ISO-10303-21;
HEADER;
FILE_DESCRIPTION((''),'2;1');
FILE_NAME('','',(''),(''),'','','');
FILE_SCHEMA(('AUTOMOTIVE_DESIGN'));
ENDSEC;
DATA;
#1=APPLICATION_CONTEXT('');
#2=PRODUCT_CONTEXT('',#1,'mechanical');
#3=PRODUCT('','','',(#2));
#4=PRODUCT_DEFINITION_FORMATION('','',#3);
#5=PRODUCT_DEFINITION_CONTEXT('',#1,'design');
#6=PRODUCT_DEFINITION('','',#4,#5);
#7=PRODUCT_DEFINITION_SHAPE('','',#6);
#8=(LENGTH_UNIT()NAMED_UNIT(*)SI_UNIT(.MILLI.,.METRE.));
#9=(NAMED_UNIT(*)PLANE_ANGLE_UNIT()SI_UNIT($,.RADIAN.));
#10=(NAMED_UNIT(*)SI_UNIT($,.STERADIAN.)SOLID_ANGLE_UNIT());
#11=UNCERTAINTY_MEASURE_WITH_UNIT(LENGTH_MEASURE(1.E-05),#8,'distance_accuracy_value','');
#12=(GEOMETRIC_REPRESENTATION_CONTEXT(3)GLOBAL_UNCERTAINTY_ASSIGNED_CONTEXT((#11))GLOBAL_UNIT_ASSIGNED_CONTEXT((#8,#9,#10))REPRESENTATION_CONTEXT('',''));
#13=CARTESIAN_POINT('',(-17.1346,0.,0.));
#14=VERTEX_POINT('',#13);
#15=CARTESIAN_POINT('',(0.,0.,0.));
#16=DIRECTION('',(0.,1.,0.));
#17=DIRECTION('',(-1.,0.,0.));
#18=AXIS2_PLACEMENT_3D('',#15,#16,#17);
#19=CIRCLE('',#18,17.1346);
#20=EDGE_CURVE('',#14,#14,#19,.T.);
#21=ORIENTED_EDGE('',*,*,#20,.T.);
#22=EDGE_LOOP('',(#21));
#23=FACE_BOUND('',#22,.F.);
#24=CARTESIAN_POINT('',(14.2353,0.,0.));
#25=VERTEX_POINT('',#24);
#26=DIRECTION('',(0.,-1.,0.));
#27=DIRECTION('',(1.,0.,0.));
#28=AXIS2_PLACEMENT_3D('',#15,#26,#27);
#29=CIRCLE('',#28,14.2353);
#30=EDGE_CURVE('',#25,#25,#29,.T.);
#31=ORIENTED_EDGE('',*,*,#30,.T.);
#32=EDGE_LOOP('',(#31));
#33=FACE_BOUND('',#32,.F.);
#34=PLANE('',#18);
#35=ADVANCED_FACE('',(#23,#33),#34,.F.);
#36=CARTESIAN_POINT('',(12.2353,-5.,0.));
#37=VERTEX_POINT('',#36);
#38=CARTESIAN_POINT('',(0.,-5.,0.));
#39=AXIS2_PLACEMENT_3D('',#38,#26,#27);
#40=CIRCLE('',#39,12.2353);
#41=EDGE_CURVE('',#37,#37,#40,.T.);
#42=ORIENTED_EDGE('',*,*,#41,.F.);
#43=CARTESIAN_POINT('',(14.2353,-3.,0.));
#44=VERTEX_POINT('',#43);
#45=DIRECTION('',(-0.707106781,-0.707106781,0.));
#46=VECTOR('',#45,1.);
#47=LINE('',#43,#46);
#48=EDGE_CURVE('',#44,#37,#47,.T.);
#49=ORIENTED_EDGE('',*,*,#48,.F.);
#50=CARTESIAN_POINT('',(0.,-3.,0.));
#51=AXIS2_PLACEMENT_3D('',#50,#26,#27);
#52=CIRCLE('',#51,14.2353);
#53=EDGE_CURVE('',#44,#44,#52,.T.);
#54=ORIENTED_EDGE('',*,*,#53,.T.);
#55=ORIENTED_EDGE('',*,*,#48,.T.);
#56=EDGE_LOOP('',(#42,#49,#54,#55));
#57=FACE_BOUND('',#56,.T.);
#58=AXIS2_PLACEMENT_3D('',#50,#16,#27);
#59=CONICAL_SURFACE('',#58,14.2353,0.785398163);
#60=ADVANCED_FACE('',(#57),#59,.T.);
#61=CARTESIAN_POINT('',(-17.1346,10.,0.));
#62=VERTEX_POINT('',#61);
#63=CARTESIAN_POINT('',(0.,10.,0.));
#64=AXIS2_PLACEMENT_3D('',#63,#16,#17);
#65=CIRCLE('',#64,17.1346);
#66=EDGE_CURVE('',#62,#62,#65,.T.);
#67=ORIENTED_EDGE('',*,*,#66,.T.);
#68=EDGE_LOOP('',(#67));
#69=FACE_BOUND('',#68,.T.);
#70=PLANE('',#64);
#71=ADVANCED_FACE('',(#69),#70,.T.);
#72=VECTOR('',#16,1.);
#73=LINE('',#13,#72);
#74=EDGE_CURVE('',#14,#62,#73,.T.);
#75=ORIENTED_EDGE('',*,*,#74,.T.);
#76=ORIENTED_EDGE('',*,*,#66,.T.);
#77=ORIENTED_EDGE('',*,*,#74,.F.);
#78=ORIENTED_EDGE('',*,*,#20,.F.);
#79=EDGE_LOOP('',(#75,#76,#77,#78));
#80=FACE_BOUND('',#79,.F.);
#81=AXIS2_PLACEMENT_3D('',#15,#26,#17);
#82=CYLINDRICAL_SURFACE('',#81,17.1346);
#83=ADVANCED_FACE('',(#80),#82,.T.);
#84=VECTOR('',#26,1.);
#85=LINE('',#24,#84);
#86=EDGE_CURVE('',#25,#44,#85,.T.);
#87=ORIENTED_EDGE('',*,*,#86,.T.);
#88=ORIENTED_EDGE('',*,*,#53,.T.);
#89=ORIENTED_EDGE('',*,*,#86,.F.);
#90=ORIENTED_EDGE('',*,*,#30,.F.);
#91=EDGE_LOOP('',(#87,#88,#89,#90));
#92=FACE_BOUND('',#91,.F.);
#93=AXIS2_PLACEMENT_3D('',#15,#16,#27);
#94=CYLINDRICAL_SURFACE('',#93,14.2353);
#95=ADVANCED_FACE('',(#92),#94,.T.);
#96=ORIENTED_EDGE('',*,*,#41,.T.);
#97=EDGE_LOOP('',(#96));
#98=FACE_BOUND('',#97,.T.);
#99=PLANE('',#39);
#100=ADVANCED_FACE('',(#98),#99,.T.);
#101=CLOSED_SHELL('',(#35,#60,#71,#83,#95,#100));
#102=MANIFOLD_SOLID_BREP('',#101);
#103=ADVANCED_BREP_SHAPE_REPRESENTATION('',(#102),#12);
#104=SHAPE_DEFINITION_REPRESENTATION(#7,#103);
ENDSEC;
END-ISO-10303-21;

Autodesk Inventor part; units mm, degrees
ref_plane "YZ Plane" through (0, 0, 0) normal (1, 0, 0) x (0, 1, 0)
ref_plane "XZ Plane" through (0, 0, 0) normal (0, 1, 0) x (-1, 0, 0)
ref_plane "XY Plane" through (0, 0, 0) normal (0, 0, 1) x (1, 0, 0)
sketch "Sketch1" plane through (0, 0, 0) normal (0, 1, 0) x (-1, 0, 0)
  circle A0 centre (0, 0) radius 17.1346
extrude "Extrusion1" add sketch "Sketch1" along normal blind 10
sketch "Sketch2" plane through (0, 0, 0) normal (0, -1, 0) x (1, 0, 0)
  circle A0 centre (0, 0) radius 14.2353
extrude "Extrusion2" add sketch "Sketch2" along normal blind 5
chamfer "Chamfer1" distance 2 angle 45 1 edges at (-14.2353, -5, 0)
properties part number "Tapon externo"
